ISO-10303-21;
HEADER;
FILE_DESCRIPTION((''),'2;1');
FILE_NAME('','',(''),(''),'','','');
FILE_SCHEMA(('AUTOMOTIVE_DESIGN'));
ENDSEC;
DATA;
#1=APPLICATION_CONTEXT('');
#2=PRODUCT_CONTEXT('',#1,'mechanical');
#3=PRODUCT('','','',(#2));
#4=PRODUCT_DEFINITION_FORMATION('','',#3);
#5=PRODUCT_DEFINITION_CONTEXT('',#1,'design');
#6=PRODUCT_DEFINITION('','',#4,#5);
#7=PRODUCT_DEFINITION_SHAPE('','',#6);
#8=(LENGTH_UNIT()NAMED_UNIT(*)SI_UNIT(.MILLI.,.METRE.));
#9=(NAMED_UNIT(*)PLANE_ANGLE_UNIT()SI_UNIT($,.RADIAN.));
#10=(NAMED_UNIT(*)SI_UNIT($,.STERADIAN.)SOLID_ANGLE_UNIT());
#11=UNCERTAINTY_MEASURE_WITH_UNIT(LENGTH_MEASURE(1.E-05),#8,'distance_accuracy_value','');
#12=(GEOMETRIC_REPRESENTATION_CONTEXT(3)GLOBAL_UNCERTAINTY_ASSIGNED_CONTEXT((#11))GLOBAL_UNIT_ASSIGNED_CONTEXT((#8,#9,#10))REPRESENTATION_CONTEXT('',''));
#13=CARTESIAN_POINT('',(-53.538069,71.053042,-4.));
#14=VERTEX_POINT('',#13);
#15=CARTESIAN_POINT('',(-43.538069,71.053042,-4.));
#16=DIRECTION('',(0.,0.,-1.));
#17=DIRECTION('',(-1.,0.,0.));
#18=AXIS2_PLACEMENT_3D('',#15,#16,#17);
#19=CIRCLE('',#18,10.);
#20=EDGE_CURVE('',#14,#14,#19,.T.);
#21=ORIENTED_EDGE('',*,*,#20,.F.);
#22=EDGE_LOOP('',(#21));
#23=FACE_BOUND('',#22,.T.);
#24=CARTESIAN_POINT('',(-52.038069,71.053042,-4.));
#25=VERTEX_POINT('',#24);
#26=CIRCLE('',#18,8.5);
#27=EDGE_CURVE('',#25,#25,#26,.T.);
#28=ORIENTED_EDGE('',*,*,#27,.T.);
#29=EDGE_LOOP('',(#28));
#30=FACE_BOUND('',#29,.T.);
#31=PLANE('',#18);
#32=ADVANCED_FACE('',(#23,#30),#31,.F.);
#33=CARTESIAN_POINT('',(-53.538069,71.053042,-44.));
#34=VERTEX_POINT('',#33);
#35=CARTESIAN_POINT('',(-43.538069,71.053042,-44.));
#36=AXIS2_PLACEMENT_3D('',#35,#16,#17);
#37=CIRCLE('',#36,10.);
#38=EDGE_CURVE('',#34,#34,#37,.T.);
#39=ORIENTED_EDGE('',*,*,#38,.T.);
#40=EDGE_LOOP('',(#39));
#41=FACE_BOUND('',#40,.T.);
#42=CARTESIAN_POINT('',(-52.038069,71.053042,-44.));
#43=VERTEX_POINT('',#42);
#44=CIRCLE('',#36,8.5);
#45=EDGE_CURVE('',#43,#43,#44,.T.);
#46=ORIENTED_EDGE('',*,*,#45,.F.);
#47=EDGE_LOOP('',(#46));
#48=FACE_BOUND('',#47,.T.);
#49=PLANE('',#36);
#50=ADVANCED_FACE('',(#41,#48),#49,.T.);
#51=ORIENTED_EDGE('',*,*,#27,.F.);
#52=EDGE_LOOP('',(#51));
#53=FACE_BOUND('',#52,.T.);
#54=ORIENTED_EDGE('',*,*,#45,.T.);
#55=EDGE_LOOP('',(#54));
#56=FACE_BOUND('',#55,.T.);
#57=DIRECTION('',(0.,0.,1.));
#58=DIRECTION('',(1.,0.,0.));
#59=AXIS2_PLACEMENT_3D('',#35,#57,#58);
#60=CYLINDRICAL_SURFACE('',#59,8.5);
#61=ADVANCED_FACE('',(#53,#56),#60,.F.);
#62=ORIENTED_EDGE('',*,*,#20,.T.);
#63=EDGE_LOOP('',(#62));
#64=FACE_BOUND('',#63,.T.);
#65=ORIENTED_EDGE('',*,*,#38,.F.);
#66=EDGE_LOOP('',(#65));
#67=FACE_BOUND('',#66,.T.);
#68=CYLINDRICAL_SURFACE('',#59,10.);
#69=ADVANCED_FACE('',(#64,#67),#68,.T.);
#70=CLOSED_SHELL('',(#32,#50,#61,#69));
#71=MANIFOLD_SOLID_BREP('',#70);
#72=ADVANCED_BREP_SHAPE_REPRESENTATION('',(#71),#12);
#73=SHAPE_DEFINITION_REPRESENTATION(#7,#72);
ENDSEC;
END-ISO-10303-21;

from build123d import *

# Parameters (mm, degrees)
ESQUISSE1_R        = 10
ESQUISSE1_R_2      = 8.5
BOSS_EXTRU_1_DEPTH = 40


with BuildPart() as part:
    # Esquisse1 → Boss.-Extru.1 (new body)
    with BuildSketch(Plane(origin=(0, 0, -4), x_dir=(-1, 0, 0), z_dir=(0, 0, -1))):
        with Locations((43.53806901, 71.05304224)):
            Circle(ESQUISSE1_R)
        with Locations((43.53806901, 71.05304224)):
            Circle(ESQUISSE1_R_2, mode=Mode.SUBTRACT)
    extrude(amount=BOSS_EXTRU_1_DEPTH)


solid = part.part
